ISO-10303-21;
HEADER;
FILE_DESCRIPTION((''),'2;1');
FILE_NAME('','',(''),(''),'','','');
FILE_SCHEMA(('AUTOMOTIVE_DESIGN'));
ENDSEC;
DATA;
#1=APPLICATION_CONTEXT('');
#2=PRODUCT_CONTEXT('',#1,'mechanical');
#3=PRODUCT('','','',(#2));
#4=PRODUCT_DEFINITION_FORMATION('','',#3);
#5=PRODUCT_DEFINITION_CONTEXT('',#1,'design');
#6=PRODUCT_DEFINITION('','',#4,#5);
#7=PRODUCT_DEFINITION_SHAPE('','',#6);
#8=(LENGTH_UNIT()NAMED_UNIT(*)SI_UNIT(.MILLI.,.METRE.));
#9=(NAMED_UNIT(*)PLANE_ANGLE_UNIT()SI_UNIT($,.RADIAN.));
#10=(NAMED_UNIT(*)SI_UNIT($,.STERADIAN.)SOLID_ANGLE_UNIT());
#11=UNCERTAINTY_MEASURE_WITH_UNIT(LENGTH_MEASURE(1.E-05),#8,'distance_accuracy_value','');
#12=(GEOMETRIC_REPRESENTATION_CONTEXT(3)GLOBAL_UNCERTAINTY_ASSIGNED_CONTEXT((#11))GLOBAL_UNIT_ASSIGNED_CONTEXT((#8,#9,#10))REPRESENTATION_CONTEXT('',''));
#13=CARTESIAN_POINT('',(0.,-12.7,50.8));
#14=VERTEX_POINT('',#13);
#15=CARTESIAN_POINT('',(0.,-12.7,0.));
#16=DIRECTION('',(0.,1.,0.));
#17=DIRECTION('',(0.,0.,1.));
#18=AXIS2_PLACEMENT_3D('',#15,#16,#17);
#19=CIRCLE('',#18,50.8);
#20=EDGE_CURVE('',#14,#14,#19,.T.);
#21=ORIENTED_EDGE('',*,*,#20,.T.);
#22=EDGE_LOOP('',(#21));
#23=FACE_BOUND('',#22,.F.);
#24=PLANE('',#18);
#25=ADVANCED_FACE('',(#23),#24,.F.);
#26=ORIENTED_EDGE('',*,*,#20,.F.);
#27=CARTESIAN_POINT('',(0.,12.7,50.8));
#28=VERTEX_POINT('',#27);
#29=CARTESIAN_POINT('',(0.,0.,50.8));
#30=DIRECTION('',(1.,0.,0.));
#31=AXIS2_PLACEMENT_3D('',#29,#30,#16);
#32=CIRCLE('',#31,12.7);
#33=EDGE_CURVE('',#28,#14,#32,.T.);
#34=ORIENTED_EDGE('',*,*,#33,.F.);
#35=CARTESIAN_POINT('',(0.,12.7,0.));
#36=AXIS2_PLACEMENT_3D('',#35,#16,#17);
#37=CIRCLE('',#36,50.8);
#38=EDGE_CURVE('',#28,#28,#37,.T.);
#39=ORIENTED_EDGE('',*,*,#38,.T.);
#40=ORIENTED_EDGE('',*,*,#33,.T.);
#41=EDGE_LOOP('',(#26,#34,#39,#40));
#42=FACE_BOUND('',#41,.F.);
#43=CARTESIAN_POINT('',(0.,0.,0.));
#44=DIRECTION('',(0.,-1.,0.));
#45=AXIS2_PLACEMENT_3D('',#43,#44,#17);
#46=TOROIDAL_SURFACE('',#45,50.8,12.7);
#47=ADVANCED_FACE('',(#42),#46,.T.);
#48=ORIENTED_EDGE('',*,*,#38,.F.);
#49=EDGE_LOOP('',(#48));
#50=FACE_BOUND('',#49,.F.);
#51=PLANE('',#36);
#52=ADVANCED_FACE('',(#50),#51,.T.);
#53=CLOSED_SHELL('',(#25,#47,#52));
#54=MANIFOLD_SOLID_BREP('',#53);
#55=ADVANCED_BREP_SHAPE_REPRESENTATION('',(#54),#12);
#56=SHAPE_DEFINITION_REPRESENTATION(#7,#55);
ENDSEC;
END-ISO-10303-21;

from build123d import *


with BuildPart() as f1:
    # F0 (on Right) → F1 (revolve)
    with BuildSketch(Plane.YZ):
        with BuildLine():
            Line((-12.7, 50.8), (-12.7, 0))
            Line((-12.7, 0), (12.7, 0))
            Line((12.7, 0), (12.7, 50.8))
            ThreePointArc((12.7, 50.8), (0, 63.5), (-12.7, 50.8))
        make_face()
    revolve(axis=Axis((0, 1.20865, 0), (0, 1, 0)))


solid = f1.part
